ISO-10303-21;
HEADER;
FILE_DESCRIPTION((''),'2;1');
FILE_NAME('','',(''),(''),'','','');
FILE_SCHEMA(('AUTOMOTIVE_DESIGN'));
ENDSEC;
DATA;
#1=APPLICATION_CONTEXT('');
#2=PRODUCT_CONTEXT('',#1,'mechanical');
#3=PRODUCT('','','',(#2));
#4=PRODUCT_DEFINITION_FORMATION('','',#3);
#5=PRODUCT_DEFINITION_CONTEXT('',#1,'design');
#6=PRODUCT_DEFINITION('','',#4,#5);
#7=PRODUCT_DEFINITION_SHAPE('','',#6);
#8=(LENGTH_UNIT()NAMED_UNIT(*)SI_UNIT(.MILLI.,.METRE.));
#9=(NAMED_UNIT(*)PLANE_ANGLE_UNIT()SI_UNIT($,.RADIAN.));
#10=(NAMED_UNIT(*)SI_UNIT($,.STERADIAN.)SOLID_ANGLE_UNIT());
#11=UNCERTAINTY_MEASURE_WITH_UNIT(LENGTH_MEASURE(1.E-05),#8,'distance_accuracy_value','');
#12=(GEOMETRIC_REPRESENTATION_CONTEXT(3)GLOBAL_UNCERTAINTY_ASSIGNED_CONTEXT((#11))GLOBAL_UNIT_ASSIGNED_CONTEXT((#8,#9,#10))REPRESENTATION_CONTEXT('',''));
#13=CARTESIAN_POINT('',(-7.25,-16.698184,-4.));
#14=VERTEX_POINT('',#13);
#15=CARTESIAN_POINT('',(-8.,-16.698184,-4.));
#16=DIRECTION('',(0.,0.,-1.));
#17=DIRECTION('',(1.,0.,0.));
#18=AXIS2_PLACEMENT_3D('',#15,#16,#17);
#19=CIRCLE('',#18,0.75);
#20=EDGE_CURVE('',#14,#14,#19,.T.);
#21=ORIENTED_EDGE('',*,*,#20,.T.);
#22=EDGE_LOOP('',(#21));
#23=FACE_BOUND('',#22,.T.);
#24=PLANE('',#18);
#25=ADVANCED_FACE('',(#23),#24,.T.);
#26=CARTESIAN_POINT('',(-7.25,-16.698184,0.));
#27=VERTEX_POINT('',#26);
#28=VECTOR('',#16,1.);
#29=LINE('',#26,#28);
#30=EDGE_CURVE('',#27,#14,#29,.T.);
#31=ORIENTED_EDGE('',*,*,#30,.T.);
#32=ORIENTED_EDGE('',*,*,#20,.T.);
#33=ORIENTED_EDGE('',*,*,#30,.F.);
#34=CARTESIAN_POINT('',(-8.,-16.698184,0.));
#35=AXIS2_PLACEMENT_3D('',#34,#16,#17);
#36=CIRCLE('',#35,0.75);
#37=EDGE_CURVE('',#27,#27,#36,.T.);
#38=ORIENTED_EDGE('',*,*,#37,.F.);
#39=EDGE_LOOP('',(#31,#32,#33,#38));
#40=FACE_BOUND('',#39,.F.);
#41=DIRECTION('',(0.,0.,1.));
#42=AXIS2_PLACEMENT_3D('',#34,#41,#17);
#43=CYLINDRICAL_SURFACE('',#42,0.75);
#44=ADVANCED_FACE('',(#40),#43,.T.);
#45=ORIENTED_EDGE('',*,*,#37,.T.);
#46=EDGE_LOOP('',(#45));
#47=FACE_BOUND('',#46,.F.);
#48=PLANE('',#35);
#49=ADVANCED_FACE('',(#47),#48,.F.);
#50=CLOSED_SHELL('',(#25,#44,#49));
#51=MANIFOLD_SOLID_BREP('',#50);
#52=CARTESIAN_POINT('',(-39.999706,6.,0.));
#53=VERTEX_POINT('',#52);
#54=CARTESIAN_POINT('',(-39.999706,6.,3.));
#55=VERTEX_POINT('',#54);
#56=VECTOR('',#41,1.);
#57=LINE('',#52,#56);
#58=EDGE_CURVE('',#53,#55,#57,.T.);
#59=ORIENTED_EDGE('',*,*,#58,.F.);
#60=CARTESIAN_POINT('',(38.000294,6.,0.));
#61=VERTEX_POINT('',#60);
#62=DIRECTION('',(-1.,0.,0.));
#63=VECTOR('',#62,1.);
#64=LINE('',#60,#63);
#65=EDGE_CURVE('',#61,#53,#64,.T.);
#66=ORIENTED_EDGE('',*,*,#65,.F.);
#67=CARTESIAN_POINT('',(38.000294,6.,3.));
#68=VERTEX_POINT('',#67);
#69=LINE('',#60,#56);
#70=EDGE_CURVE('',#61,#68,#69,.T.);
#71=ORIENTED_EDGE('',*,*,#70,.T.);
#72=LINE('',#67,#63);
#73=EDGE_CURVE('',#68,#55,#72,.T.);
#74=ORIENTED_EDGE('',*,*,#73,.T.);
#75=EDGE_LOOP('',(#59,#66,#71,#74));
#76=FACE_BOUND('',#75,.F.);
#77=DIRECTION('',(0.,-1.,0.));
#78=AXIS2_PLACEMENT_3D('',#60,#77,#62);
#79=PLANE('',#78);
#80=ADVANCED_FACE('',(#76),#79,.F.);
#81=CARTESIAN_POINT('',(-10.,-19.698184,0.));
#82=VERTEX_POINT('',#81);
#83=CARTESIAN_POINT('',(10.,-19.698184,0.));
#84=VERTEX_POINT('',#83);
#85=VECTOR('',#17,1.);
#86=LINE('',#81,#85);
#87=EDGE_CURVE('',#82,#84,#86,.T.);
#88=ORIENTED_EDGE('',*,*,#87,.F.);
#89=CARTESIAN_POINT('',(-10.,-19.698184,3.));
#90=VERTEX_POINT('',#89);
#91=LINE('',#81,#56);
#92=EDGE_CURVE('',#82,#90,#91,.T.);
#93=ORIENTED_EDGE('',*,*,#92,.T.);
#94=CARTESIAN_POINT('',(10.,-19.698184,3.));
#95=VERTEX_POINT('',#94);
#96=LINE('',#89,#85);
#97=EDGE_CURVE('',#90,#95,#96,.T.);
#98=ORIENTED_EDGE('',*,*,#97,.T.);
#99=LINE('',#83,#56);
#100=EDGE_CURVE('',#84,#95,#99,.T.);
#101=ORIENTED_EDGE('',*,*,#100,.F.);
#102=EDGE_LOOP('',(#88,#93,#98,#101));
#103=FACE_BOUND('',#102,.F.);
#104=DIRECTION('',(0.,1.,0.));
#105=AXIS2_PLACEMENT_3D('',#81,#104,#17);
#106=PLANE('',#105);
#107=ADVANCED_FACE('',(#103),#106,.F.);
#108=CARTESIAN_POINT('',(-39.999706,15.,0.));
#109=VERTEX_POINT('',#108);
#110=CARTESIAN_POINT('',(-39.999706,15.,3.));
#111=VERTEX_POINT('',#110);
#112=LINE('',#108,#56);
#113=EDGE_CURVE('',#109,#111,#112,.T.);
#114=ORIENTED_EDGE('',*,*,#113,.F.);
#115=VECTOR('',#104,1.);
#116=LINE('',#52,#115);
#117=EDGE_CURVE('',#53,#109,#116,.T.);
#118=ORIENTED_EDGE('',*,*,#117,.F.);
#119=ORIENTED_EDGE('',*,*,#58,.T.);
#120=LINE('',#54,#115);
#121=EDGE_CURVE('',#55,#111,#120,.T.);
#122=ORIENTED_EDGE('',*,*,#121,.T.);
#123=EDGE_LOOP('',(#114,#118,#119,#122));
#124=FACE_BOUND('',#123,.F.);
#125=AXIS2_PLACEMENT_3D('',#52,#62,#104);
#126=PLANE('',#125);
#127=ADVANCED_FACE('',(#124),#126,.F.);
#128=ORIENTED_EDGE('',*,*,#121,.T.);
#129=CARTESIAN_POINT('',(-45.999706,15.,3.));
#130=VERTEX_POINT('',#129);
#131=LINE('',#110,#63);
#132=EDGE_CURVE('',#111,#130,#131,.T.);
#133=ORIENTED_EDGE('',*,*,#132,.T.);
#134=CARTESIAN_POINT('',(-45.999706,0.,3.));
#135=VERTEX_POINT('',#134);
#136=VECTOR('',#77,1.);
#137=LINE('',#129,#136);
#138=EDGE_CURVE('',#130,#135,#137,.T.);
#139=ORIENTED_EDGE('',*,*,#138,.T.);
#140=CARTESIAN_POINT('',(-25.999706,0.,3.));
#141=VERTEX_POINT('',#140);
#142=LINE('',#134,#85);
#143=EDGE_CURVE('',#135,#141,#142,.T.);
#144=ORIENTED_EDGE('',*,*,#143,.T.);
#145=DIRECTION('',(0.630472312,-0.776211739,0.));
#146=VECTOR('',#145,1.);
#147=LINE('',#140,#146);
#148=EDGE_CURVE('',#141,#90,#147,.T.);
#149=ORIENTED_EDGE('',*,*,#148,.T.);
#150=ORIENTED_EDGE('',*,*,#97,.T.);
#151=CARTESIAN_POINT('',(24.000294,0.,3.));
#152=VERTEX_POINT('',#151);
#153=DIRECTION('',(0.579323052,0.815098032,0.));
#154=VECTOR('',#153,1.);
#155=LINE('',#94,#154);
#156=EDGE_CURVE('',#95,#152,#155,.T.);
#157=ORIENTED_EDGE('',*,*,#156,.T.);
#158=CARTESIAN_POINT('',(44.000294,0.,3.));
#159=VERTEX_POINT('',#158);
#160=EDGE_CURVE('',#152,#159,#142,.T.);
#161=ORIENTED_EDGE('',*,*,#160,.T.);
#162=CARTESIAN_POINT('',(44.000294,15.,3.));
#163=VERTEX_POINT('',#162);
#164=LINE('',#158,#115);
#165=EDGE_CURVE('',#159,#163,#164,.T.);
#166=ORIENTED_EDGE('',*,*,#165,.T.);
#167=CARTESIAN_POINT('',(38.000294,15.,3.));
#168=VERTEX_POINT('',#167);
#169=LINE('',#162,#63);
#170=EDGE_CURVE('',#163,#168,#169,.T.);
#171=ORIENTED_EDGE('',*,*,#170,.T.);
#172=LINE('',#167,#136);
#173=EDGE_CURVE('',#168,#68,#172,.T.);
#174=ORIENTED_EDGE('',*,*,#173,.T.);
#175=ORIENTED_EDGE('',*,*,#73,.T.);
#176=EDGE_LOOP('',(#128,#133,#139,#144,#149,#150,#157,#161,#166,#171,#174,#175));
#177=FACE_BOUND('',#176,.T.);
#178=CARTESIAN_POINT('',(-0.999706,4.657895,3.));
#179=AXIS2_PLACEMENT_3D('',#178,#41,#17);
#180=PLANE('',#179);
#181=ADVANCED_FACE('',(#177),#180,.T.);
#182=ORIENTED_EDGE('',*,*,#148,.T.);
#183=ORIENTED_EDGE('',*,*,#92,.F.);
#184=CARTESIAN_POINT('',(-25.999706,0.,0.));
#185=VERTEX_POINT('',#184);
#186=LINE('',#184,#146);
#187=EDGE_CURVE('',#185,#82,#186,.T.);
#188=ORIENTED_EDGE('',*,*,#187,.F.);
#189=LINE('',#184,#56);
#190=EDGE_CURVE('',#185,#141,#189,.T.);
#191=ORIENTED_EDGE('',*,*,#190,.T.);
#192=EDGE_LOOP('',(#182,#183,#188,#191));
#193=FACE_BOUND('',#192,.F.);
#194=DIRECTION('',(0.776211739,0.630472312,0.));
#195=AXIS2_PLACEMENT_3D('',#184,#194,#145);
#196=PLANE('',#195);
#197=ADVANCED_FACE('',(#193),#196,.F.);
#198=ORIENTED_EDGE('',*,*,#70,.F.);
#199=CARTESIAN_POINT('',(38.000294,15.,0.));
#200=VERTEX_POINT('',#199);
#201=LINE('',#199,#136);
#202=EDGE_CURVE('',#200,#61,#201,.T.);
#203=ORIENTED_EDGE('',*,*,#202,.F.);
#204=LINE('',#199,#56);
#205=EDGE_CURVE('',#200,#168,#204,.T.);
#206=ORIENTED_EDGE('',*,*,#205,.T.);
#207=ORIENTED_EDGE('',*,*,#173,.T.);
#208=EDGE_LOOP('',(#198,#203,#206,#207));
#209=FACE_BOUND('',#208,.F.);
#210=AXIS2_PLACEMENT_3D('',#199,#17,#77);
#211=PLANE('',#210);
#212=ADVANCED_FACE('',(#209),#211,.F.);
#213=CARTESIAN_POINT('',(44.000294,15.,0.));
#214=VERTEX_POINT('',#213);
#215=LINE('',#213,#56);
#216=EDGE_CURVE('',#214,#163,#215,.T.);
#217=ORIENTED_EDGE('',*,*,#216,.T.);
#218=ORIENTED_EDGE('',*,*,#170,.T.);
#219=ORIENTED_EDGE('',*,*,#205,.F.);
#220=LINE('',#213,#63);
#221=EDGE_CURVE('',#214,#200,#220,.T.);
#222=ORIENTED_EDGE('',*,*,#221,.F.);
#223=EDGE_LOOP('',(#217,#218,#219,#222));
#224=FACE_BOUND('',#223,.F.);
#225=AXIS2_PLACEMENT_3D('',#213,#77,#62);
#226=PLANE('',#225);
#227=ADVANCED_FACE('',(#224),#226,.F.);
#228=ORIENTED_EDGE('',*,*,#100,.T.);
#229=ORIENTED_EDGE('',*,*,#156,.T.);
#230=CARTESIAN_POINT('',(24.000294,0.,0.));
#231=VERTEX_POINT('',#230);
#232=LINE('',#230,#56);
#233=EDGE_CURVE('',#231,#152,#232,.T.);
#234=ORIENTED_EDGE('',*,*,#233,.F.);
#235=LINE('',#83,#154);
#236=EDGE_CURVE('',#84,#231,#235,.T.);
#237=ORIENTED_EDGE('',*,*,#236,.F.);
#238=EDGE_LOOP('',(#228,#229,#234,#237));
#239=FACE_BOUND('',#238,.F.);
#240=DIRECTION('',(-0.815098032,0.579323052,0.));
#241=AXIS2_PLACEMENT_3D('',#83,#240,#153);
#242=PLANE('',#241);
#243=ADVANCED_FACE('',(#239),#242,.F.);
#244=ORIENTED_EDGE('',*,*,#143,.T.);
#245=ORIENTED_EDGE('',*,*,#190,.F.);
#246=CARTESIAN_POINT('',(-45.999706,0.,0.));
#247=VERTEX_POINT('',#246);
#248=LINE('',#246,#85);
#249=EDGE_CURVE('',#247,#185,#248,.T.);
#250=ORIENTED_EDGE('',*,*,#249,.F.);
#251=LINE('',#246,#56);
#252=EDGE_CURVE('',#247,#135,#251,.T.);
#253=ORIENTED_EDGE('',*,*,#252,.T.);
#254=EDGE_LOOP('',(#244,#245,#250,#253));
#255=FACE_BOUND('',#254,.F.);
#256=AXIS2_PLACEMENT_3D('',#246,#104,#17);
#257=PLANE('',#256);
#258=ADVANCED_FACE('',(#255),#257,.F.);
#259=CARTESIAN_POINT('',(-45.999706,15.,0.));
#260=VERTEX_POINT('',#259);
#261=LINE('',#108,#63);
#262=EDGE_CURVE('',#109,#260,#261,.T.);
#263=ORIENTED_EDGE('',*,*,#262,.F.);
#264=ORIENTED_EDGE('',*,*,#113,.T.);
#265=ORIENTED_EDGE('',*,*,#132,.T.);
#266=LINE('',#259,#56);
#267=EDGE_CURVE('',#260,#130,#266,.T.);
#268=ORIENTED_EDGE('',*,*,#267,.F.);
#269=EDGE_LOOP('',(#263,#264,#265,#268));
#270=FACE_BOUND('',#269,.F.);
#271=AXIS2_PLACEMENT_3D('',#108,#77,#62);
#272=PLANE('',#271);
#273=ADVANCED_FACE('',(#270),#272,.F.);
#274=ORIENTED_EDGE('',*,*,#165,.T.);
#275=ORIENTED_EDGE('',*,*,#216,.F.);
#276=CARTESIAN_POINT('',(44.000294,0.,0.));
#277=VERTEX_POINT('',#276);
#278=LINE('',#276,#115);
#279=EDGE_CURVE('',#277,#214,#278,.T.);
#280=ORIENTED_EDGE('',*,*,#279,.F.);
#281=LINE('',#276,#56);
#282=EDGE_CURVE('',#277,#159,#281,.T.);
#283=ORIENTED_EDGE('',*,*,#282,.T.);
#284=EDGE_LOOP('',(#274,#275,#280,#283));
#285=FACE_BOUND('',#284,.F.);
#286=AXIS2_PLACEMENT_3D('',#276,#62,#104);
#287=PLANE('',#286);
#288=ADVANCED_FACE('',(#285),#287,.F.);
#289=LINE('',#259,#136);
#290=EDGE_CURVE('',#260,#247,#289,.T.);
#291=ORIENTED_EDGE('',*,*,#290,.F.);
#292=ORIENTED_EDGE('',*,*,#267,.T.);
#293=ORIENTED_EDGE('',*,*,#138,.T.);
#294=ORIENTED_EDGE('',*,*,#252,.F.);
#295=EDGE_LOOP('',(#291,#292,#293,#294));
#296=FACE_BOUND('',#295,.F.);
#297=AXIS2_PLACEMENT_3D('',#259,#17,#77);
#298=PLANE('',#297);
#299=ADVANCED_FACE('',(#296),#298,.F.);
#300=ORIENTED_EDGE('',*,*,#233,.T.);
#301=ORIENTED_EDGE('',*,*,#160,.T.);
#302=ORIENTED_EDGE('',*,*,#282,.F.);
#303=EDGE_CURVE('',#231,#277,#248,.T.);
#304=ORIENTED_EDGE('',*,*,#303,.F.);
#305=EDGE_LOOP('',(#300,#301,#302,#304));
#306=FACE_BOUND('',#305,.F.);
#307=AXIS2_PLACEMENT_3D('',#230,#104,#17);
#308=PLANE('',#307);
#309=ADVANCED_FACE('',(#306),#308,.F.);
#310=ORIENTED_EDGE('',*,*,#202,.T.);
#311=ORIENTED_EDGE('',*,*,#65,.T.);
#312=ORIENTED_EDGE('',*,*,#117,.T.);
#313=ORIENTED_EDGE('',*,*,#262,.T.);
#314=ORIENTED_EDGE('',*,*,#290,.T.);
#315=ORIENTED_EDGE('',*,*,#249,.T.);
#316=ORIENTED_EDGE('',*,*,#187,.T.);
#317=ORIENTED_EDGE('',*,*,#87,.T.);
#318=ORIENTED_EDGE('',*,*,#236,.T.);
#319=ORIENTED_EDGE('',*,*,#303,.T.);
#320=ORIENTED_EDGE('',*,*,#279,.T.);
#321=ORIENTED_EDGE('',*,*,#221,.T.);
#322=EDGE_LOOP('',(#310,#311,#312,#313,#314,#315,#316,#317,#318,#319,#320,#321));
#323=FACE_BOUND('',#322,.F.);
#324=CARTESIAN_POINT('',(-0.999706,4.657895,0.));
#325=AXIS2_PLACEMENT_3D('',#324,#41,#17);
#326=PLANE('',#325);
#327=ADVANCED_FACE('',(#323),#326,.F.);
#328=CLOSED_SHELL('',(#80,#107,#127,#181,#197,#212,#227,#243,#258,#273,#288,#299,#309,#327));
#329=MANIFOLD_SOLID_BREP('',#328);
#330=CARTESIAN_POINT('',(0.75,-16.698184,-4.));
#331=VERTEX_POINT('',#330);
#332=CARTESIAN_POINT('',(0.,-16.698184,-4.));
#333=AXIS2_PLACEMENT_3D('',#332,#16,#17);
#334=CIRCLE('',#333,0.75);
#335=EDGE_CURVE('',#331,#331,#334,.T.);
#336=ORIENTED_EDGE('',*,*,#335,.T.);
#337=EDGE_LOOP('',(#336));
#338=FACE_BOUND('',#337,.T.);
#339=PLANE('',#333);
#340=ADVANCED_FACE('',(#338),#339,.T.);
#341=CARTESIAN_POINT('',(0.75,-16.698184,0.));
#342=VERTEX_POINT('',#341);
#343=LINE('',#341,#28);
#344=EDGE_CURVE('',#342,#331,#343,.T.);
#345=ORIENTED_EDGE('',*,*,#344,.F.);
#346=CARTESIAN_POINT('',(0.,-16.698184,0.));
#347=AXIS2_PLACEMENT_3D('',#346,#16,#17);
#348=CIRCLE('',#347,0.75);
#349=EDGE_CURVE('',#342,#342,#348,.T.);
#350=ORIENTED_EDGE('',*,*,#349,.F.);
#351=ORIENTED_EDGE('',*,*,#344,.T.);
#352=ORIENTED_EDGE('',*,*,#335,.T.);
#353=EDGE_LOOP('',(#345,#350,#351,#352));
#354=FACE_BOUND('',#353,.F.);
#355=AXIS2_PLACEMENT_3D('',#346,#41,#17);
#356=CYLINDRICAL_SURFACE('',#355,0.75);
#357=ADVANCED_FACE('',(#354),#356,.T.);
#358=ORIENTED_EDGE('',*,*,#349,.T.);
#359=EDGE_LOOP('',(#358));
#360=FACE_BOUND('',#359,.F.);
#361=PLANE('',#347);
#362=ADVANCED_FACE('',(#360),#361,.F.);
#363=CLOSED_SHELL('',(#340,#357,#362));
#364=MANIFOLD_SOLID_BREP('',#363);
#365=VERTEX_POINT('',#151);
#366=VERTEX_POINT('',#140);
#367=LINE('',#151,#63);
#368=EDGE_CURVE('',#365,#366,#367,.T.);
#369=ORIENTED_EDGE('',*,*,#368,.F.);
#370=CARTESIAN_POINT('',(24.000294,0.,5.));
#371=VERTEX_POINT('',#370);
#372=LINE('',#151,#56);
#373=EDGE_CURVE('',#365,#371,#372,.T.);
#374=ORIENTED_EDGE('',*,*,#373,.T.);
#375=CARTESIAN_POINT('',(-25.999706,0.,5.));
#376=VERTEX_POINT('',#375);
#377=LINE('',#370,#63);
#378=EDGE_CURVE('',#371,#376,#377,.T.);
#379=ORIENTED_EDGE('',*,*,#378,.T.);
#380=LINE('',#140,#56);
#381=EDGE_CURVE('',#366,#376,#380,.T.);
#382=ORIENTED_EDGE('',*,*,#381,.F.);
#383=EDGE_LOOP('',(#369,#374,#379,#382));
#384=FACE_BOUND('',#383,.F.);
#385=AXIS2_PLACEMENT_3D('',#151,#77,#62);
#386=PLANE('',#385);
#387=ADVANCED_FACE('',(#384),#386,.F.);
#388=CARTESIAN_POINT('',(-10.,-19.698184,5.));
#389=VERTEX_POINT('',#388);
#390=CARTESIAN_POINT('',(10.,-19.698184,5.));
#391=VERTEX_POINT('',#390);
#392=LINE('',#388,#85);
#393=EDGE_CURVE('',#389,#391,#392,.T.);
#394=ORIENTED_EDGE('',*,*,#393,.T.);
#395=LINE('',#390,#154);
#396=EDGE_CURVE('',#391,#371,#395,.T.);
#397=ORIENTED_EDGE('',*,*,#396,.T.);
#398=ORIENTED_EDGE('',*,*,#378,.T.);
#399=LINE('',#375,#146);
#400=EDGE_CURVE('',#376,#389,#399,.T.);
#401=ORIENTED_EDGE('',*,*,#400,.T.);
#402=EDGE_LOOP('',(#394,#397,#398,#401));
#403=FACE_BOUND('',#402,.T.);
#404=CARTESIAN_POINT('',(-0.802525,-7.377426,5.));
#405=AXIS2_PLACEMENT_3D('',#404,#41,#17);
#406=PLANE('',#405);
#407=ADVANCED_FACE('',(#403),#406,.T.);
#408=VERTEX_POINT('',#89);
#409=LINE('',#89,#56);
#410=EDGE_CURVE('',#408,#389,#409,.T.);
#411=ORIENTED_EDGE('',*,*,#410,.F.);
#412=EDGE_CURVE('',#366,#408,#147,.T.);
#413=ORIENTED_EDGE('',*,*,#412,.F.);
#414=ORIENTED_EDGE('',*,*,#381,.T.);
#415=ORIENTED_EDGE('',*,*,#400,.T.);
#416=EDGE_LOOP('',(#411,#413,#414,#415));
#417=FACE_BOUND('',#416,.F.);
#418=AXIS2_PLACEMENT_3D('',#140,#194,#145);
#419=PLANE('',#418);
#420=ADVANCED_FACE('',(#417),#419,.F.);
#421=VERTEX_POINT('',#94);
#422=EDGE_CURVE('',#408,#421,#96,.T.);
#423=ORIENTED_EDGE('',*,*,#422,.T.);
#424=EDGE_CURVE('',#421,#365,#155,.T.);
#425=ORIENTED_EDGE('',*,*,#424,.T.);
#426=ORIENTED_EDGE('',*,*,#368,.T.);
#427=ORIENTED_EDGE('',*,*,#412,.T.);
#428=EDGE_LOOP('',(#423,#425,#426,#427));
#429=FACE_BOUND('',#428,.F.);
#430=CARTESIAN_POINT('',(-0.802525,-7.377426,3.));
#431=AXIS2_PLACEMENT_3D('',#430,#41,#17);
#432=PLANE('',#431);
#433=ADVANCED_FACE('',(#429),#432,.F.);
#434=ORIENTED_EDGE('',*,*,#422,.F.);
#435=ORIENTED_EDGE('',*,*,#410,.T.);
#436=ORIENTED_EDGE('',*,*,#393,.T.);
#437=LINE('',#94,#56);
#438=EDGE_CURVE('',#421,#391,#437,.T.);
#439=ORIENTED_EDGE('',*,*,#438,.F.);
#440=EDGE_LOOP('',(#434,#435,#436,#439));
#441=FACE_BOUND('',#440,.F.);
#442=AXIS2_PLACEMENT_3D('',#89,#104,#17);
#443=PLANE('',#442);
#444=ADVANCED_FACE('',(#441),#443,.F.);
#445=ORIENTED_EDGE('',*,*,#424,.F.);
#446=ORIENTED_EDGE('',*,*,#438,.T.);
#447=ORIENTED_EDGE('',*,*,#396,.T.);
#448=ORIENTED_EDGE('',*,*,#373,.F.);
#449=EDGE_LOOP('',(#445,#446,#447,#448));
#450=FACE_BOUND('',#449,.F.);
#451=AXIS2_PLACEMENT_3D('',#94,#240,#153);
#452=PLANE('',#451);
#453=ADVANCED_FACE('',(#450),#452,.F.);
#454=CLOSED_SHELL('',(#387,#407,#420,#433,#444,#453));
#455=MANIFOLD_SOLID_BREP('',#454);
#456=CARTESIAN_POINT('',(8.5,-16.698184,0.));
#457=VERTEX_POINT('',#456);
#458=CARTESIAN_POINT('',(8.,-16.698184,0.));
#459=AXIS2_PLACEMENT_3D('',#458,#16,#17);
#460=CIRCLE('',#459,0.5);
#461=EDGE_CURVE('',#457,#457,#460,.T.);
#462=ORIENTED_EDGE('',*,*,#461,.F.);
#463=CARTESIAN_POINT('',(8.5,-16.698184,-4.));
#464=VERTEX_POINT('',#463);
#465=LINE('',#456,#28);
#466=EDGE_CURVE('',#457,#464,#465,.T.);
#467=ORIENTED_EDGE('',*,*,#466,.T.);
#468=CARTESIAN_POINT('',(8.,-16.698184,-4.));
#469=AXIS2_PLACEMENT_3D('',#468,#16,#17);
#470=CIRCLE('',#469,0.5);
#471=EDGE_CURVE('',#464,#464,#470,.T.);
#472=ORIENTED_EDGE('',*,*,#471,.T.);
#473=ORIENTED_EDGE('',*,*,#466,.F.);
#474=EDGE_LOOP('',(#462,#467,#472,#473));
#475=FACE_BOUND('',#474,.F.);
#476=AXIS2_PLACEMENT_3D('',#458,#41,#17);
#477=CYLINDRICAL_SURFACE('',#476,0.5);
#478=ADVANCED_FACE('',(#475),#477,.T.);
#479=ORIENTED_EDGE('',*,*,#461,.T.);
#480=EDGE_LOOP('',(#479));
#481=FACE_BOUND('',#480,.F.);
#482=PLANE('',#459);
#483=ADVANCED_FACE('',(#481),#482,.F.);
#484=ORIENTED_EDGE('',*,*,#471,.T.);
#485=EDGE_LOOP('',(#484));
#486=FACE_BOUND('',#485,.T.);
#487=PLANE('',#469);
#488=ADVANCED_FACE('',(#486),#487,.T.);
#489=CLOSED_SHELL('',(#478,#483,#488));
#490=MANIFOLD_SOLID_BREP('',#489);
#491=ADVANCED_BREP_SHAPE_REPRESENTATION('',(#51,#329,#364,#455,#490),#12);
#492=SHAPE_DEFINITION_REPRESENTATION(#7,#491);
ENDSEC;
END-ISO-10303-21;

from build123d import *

# Parameters (mm, degrees)
F1_DEPTH = 3
F3_DEPTH = 2
F4_R     = 0.75
F4_R_2   = 0.5
F5_DEPTH = 4


with BuildPart() as f1:
    # F0 (on Top) → F1 (new body)
    with BuildSketch(Plane.XY):
        Polygon((-45.999706, 15), (-45.999706, 0), (-25.999706, 0), (24.000294, 0), (44.000294, 0), (44.000294, 15), (38.000294, 15), (38.000294, 6), (-39.999706, 6), (-39.999706, 15), align=None)
        Polygon((24.000294, 0), (-25.999706, 0), (-10, -19.698184), (10, -19.698184), align=None)
    extrude(amount=F1_DEPTH)


with BuildPart() as f3:
    # F2 (on face) → F3 (new body)
    with BuildSketch(Plane.XY.offset(3)):
        Polygon((24.000294, 0), (-25.999706, 0), (-10, -19.698184), (10, -19.698184), align=None)
    extrude(amount=F3_DEPTH)


with BuildPart() as f5:
    # F4 (on face) → F5 (new body)
    with BuildSketch(Plane(origin=(0, 0, 0), x_dir=(1, 0, 0), z_dir=(0, 0, -1))):
        with Locations((0, 16.698184)):
            Circle(F4_R)
        with Locations((8, 16.698184)):
            Circle(F4_R_2)
        with Locations((-8, 16.698184)):
            Circle(F4_R)
    extrude(amount=F5_DEPTH)


solid = Compound([f1.part, f3.part, f5.part])
